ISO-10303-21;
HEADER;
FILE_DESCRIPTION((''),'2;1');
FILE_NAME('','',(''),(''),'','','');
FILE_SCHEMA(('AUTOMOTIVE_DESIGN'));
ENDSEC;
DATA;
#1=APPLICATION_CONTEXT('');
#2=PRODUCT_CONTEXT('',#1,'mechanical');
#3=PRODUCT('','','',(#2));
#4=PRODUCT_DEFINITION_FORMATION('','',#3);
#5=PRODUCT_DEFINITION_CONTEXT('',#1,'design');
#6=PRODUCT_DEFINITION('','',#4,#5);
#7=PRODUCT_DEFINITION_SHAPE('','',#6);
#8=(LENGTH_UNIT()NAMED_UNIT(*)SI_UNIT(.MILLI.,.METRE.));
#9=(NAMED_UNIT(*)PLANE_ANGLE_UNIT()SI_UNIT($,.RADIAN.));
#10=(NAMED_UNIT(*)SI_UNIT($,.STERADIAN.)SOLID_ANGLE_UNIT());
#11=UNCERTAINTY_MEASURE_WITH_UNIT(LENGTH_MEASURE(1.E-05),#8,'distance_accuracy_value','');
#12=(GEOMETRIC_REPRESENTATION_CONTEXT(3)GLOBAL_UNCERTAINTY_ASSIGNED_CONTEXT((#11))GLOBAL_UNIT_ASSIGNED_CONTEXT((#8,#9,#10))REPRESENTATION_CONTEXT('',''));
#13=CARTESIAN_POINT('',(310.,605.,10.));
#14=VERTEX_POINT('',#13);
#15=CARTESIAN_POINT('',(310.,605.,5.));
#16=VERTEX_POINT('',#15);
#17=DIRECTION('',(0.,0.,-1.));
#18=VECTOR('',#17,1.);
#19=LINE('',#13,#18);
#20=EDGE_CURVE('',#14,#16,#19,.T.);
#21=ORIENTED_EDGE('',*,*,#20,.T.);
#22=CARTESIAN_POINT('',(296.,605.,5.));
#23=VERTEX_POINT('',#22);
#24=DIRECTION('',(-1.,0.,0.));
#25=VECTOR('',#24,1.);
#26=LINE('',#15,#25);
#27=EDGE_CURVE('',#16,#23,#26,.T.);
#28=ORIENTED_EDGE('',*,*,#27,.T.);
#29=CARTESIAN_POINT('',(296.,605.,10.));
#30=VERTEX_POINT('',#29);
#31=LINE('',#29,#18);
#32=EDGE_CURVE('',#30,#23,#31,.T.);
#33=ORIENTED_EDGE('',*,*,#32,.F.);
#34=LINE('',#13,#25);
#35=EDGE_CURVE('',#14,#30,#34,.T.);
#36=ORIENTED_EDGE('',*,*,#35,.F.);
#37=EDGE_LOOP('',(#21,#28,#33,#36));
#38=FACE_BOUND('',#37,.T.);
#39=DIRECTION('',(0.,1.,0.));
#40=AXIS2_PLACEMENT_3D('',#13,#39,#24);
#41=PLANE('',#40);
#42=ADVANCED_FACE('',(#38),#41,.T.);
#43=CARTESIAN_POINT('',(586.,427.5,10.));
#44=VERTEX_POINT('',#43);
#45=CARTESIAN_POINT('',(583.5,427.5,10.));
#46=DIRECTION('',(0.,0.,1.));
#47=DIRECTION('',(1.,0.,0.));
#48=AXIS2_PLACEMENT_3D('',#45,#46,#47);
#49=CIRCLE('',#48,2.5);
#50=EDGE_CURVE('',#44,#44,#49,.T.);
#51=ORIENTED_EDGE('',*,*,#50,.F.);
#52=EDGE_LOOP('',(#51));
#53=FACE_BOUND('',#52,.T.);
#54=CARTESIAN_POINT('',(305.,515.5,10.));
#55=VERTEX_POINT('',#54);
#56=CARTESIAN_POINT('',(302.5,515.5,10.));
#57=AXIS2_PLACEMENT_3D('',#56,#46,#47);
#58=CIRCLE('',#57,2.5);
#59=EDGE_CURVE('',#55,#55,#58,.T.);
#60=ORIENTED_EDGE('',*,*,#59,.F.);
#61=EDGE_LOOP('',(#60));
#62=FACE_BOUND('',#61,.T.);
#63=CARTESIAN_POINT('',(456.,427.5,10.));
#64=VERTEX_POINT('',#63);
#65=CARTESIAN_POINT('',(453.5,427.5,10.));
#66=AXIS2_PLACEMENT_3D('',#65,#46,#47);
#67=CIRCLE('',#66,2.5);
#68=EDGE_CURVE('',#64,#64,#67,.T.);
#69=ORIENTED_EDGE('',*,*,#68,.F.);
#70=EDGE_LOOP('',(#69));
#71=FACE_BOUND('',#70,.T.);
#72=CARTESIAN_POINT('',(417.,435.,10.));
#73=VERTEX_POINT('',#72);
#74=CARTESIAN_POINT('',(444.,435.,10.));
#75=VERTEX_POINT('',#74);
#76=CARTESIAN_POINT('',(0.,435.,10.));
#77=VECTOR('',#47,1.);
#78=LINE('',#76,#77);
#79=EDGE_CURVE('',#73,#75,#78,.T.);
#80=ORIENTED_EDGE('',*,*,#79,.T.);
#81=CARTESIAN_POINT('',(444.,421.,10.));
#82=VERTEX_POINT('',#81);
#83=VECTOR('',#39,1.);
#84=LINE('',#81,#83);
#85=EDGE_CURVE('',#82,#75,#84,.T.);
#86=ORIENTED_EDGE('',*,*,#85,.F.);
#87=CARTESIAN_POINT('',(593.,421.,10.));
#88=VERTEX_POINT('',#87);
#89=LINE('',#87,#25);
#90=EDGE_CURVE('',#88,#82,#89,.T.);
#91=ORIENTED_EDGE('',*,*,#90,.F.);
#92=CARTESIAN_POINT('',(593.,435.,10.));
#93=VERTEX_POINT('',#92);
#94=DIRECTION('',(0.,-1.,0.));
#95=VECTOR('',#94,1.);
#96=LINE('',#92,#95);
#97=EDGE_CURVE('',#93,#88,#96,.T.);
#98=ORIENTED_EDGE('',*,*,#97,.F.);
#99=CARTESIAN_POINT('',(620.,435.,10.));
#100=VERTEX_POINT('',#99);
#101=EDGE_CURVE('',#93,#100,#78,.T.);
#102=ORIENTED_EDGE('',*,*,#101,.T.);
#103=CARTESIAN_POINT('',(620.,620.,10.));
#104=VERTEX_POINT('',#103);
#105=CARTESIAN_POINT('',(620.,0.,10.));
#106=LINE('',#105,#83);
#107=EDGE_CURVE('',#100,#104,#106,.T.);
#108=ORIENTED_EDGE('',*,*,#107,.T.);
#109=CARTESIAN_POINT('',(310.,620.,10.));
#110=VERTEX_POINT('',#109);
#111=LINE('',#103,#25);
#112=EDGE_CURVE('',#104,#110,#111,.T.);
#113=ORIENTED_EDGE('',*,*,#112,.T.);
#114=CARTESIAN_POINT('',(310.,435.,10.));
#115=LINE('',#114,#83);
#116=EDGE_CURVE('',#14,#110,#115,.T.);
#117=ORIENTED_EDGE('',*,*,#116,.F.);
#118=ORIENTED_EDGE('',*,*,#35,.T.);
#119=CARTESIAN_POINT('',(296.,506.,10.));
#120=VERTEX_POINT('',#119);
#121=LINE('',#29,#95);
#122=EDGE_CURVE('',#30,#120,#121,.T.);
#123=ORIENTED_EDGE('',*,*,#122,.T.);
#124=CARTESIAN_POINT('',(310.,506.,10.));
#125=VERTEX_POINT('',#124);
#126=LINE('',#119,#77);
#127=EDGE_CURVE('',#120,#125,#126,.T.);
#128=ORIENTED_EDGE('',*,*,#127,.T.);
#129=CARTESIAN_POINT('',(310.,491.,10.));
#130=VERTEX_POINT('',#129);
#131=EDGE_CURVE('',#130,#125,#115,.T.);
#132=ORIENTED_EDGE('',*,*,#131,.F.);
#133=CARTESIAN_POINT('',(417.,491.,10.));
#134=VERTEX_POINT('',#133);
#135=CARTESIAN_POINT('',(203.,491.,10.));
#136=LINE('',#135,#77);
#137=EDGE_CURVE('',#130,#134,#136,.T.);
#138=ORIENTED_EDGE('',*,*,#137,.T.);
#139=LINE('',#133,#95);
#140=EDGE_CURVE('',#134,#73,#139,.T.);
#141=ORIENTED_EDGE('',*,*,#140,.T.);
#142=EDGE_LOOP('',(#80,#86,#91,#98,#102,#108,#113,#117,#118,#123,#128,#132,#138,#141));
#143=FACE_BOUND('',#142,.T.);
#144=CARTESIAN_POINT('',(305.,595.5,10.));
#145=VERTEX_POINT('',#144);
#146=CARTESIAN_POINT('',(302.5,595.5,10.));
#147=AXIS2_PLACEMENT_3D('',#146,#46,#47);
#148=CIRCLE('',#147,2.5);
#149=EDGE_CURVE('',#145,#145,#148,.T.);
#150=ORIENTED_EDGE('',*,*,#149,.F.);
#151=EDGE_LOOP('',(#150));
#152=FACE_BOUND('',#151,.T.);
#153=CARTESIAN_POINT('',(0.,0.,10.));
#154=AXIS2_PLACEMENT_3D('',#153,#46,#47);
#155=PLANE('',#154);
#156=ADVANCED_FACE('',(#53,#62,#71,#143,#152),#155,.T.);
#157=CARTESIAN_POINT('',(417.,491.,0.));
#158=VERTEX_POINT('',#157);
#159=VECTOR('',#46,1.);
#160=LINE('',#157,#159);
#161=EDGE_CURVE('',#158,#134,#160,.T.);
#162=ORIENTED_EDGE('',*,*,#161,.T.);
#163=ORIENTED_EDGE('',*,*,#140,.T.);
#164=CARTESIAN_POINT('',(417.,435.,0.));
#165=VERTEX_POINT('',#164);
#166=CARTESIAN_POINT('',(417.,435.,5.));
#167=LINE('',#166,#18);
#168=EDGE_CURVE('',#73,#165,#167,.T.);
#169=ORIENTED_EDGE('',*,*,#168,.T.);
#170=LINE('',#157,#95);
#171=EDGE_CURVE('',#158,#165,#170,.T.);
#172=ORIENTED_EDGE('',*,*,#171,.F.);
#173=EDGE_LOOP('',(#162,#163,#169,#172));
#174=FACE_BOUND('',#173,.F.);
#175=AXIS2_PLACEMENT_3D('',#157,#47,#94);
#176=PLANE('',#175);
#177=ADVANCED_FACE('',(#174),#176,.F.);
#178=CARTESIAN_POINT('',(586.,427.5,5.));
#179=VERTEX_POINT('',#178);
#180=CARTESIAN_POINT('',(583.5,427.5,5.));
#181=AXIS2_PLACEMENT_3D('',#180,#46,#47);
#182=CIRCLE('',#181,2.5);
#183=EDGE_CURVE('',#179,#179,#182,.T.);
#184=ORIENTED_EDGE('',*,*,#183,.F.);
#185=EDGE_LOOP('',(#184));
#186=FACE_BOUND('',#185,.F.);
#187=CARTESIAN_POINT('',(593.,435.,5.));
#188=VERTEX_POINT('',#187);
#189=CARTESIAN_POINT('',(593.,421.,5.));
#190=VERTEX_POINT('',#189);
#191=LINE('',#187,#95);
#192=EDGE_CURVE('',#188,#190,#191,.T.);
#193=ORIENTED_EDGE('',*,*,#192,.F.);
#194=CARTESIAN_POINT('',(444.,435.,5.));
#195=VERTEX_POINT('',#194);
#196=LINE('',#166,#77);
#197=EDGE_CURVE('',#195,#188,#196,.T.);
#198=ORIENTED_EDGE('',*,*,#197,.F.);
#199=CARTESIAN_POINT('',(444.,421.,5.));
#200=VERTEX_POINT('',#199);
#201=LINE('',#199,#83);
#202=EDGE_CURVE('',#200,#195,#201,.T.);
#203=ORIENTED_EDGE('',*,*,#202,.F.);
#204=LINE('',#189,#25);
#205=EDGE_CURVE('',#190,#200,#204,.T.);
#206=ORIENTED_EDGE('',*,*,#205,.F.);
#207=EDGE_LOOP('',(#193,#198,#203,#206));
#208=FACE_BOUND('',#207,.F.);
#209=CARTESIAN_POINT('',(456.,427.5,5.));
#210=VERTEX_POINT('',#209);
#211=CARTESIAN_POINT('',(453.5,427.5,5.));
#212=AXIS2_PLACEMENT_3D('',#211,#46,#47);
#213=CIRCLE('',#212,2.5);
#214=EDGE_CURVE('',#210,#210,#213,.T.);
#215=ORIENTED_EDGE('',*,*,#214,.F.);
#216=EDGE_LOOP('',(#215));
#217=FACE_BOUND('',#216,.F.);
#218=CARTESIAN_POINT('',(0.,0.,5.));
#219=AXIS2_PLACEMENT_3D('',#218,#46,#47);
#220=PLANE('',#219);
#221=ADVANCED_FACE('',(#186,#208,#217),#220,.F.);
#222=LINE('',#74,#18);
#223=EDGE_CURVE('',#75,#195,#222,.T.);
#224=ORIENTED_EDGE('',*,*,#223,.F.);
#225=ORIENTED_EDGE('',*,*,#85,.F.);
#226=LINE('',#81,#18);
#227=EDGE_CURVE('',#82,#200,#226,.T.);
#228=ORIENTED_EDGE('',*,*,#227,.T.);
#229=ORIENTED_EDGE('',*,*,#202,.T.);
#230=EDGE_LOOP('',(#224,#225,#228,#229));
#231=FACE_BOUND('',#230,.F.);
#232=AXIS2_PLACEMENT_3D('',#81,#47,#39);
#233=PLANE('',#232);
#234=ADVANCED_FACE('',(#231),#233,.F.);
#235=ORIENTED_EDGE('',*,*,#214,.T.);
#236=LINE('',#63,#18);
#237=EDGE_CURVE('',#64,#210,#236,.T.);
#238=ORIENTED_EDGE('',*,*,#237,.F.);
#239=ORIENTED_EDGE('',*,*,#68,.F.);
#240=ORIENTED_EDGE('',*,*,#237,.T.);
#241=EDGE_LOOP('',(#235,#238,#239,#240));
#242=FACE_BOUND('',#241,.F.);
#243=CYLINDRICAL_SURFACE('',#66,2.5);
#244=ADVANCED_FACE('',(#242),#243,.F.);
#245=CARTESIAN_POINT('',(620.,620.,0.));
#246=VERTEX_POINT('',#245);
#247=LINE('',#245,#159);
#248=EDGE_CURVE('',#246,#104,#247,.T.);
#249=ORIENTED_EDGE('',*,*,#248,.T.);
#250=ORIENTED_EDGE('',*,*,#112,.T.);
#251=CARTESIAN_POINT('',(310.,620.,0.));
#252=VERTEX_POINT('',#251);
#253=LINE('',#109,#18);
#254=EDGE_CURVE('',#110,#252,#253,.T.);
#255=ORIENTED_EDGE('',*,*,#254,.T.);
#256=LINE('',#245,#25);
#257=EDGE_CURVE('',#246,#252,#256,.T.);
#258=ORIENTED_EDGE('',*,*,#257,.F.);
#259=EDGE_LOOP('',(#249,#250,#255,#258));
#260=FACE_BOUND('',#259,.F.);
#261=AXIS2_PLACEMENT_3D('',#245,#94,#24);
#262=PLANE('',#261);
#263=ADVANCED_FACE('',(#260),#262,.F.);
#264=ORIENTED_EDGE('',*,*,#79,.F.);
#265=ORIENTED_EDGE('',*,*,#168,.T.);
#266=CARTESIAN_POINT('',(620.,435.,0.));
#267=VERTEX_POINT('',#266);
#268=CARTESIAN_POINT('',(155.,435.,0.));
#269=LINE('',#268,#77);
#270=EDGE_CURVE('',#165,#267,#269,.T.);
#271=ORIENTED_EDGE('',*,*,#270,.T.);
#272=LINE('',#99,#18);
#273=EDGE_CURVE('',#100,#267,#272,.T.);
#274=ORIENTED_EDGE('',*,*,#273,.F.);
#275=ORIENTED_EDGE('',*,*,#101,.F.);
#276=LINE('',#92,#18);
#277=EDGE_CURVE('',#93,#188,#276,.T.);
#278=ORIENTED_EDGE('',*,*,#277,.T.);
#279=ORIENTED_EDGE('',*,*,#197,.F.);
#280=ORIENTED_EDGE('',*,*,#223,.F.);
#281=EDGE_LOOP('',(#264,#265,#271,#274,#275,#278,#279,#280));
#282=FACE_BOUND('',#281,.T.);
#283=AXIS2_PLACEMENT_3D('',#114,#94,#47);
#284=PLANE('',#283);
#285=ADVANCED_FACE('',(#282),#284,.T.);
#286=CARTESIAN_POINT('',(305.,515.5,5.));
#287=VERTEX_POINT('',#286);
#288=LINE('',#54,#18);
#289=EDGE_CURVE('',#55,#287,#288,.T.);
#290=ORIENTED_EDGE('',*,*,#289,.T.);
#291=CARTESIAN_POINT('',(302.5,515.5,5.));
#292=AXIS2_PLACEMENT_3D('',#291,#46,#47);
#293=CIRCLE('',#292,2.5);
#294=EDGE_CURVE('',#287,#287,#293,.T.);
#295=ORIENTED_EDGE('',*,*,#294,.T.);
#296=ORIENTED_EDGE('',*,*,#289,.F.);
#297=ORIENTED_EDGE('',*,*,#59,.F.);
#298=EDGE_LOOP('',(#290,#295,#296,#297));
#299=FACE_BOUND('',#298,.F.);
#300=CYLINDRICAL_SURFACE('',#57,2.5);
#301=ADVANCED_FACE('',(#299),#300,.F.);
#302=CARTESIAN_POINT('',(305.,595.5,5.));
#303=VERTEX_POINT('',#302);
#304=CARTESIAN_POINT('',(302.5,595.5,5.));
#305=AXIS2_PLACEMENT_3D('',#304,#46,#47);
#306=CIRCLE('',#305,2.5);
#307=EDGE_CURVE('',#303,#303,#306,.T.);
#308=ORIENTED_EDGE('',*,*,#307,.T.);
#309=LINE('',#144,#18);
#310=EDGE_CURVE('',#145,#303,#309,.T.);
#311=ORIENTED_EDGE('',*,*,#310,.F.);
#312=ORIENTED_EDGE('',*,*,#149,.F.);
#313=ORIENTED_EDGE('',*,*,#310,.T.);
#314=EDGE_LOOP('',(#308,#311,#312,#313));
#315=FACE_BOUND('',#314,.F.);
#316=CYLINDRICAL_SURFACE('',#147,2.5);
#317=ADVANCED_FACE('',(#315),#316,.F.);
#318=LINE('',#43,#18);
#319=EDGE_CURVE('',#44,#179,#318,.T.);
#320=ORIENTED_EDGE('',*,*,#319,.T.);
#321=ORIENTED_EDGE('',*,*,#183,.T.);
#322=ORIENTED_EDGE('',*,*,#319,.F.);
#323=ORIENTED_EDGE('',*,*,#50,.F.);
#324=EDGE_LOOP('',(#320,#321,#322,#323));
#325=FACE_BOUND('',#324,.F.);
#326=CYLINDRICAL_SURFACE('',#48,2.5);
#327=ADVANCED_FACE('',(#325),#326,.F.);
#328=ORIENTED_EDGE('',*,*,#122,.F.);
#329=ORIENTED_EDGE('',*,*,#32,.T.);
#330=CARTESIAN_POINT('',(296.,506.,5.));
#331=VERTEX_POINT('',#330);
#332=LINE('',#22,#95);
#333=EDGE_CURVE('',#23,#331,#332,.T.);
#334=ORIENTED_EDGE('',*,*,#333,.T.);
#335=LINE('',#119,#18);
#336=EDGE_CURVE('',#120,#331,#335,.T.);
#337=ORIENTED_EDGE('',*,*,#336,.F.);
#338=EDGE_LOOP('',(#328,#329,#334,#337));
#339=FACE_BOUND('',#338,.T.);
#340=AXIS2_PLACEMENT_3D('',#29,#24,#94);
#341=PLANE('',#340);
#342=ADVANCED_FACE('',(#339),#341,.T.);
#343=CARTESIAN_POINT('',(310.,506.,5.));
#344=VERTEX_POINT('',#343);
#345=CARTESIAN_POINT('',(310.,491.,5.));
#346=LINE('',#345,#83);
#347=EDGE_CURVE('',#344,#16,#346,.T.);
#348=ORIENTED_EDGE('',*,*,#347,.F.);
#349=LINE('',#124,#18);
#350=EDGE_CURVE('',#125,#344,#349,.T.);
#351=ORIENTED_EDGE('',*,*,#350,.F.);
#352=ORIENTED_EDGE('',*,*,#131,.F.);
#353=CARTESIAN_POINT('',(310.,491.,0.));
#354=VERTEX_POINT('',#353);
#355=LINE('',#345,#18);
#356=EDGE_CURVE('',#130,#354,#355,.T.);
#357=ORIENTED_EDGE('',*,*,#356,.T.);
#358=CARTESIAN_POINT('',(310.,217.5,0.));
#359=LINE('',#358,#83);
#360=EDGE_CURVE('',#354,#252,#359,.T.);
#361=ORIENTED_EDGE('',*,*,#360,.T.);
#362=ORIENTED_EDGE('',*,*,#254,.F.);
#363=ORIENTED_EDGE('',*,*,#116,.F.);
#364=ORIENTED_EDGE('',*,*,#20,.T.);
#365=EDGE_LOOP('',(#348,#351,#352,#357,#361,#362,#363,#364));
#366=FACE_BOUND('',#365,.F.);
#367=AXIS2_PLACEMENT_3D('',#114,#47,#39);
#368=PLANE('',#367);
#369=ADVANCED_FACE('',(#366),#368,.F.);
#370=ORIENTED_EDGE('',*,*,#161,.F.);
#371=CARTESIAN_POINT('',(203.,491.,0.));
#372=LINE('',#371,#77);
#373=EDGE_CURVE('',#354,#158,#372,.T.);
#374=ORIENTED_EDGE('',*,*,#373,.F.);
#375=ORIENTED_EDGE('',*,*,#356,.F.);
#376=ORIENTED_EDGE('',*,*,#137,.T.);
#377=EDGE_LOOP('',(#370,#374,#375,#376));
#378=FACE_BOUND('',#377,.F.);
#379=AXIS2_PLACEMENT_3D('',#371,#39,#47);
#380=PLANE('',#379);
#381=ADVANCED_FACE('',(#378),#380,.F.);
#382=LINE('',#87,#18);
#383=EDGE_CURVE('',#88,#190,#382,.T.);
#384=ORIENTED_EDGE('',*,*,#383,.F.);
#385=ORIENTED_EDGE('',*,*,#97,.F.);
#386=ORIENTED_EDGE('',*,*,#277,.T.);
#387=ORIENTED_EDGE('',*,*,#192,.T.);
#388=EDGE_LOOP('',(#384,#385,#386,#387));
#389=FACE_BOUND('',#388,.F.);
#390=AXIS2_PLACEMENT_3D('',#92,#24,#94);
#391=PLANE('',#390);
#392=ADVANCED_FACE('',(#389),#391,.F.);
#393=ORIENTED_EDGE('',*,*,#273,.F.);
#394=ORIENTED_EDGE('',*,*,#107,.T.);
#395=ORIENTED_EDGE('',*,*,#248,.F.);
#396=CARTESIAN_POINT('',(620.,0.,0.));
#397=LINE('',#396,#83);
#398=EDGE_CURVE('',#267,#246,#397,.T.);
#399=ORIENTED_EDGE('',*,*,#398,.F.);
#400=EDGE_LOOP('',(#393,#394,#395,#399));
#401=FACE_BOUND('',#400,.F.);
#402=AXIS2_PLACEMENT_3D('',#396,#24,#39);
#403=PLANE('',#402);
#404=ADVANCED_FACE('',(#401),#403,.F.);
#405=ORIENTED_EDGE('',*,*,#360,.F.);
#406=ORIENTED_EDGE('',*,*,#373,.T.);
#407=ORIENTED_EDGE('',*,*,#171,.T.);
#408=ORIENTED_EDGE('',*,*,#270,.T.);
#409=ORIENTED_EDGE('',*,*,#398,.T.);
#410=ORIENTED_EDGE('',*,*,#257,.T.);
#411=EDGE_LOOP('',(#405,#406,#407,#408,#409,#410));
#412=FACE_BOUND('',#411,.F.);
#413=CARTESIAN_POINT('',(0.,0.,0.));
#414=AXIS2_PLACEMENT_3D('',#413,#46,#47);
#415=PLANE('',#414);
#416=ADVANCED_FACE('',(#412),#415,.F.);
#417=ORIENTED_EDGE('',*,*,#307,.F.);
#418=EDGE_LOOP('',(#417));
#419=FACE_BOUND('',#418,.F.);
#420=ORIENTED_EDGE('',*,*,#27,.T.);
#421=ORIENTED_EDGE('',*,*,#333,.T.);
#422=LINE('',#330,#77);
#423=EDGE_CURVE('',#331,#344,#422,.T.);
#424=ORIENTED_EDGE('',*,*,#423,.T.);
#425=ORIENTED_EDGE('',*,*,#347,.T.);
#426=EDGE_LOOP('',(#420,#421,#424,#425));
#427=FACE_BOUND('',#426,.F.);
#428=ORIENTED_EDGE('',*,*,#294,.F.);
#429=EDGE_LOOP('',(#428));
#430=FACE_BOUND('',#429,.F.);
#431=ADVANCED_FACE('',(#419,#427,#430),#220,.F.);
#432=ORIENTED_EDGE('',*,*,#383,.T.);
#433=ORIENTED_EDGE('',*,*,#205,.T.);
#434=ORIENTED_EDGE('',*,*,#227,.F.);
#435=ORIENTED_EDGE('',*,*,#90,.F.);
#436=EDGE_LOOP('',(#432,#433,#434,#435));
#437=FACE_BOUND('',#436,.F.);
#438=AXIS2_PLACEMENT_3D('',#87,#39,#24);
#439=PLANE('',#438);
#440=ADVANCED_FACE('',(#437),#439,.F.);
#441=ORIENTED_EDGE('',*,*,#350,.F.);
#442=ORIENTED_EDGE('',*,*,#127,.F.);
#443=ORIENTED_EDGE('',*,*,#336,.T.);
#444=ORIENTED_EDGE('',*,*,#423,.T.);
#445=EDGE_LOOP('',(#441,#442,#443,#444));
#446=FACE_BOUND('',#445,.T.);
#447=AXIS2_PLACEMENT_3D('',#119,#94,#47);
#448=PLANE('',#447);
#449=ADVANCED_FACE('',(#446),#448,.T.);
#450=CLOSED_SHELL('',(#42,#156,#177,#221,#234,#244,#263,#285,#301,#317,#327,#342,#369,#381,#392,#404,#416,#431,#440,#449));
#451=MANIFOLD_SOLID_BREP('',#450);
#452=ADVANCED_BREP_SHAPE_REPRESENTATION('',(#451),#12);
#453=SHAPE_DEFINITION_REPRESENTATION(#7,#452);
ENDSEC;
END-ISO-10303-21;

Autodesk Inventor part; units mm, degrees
ref_plane "YZ Plane" through (0, 0, 0) normal (1, 0, 0) x (0, 1, 0)
ref_plane "XZ Plane" through (0, 0, 0) normal (0, 1, 0) x (-1, 0, 0)
ref_plane "XY Plane" through (0, 0, 0) normal (0, 0, 1) x (1, 0, 0)
sketch "Sketch1" plane through (0, 0, 0) normal (0, 0, 1) x (1, 0, 0)
  line L0 (0, 0) -> (620, 0)
  line L1 (620, 0) -> (620, 620)
  line L2 (620, 620) -> (0, 620)
  line L3 (0, 620) -> (0, 0)
  line L4 (203, 491) -> (417, 491)
  line L5 (417, 491) -> (417, 377)
  line L6 (417, 377) -> (203, 377)
  line L7 (203, 377) -> (203, 491)
  point P0 (310, 491)
  point P1 (310, 620)
  dimension "d0" = 620
  dimension "d1" = 620
  dimension "d2" = 214
  dimension "d3" = 114
  dimension "d4" = 129
extrude "Extrusion1" add sketch "Sketch1" along normal blind 10
sketch "Sketch2" plane through (0, 0, 10) normal (0, 0, 1) x (1, 0, 0)
  line L0 (0, 0) -> (310, 0)
  line L1 (310, 0) -> (310, 435)
  line L2 (310, 435) -> (0, 435)
  line L3 (0, 435) -> (0, 0)
  line L4 (620, 620) -> (0, 620) projected
  line L5 (0, 435) -> (620, 435)
  line L6 (620, 435) -> (620, 620)
  line L7 (620, 620) -> (0, 620)
  line L8 (0, 620) -> (0, 435)
  line L9 (310, 435) -> (620, 435)
  line L10 (620, 435) -> (620, 0)
  line L11 (620, 0) -> (310, 0)
  line L12 (310, 0) -> (310, 435)
  line L13 (0, 435) -> (310, 435)
  line L14 (310, 435) -> (310, 620)
  line L15 (310, 620) -> (0, 620)
  line L16 (0, 620) -> (0, 435)
  dimension "d7" = 435
extrude "Extrusion2" cut sketch "Sketch2" against normal through all contours L3 L2 L1 L0 | L1 L5 L10 L11 | L8 L4 L14 L2
sketch "Sketch6" plane through (0, 0, 10) normal (0, 0, 1) x (1, 0, 0)
  line L0 (310, 491) -> (310, 620) projected
  line L1 (310, 605) -> (296, 605)
  line L2 (296, 605) -> (296, 506)
  line L3 (296, 506) -> (310, 506)
  line L4 (310, 506) -> (310, 605)
  line L5 (417, 435) -> (620, 435) projected
  line L6 (444, 435) -> (593, 435)
  line L7 (593, 435) -> (593, 421)
  line L8 (593, 421) -> (444, 421)
  line L9 (444, 421) -> (444, 435)
  circle A0 centre (302.5, 595.5) radius 2.5
  circle A1 centre (302.5, 515.5) radius 2.5
  circle A2 centre (453.5, 427.5) radius 2.5
  circle A3 centre (583.5, 427.5) radius 2.5
  point P0 (0, 0)
  point P1 (310, 555.5)
  point P2 (518.5, 435)
  dimension "d28" = 14
  dimension "d29" = 99
  dimension "d30" = 149
  dimension "d31" = 14
  dimension "d32" = 5
  dimension "d33" = 5
  dimension "d34" = 9.5
  dimension "d35" = 9.5
  dimension "d36" = 7.5
  dimension "d37" = 7.5
  dimension "d38" = 5
  dimension "d39" = 5
  dimension "d40" = 9.5
  dimension "d41" = 9.5
  dimension "d42" = 7.5
  dimension "d43" = 7.5
extrude "Extrusion6" add sketch "Sketch6" against normal blind 5
properties part number "TC001b" material "ABS Plastic"
